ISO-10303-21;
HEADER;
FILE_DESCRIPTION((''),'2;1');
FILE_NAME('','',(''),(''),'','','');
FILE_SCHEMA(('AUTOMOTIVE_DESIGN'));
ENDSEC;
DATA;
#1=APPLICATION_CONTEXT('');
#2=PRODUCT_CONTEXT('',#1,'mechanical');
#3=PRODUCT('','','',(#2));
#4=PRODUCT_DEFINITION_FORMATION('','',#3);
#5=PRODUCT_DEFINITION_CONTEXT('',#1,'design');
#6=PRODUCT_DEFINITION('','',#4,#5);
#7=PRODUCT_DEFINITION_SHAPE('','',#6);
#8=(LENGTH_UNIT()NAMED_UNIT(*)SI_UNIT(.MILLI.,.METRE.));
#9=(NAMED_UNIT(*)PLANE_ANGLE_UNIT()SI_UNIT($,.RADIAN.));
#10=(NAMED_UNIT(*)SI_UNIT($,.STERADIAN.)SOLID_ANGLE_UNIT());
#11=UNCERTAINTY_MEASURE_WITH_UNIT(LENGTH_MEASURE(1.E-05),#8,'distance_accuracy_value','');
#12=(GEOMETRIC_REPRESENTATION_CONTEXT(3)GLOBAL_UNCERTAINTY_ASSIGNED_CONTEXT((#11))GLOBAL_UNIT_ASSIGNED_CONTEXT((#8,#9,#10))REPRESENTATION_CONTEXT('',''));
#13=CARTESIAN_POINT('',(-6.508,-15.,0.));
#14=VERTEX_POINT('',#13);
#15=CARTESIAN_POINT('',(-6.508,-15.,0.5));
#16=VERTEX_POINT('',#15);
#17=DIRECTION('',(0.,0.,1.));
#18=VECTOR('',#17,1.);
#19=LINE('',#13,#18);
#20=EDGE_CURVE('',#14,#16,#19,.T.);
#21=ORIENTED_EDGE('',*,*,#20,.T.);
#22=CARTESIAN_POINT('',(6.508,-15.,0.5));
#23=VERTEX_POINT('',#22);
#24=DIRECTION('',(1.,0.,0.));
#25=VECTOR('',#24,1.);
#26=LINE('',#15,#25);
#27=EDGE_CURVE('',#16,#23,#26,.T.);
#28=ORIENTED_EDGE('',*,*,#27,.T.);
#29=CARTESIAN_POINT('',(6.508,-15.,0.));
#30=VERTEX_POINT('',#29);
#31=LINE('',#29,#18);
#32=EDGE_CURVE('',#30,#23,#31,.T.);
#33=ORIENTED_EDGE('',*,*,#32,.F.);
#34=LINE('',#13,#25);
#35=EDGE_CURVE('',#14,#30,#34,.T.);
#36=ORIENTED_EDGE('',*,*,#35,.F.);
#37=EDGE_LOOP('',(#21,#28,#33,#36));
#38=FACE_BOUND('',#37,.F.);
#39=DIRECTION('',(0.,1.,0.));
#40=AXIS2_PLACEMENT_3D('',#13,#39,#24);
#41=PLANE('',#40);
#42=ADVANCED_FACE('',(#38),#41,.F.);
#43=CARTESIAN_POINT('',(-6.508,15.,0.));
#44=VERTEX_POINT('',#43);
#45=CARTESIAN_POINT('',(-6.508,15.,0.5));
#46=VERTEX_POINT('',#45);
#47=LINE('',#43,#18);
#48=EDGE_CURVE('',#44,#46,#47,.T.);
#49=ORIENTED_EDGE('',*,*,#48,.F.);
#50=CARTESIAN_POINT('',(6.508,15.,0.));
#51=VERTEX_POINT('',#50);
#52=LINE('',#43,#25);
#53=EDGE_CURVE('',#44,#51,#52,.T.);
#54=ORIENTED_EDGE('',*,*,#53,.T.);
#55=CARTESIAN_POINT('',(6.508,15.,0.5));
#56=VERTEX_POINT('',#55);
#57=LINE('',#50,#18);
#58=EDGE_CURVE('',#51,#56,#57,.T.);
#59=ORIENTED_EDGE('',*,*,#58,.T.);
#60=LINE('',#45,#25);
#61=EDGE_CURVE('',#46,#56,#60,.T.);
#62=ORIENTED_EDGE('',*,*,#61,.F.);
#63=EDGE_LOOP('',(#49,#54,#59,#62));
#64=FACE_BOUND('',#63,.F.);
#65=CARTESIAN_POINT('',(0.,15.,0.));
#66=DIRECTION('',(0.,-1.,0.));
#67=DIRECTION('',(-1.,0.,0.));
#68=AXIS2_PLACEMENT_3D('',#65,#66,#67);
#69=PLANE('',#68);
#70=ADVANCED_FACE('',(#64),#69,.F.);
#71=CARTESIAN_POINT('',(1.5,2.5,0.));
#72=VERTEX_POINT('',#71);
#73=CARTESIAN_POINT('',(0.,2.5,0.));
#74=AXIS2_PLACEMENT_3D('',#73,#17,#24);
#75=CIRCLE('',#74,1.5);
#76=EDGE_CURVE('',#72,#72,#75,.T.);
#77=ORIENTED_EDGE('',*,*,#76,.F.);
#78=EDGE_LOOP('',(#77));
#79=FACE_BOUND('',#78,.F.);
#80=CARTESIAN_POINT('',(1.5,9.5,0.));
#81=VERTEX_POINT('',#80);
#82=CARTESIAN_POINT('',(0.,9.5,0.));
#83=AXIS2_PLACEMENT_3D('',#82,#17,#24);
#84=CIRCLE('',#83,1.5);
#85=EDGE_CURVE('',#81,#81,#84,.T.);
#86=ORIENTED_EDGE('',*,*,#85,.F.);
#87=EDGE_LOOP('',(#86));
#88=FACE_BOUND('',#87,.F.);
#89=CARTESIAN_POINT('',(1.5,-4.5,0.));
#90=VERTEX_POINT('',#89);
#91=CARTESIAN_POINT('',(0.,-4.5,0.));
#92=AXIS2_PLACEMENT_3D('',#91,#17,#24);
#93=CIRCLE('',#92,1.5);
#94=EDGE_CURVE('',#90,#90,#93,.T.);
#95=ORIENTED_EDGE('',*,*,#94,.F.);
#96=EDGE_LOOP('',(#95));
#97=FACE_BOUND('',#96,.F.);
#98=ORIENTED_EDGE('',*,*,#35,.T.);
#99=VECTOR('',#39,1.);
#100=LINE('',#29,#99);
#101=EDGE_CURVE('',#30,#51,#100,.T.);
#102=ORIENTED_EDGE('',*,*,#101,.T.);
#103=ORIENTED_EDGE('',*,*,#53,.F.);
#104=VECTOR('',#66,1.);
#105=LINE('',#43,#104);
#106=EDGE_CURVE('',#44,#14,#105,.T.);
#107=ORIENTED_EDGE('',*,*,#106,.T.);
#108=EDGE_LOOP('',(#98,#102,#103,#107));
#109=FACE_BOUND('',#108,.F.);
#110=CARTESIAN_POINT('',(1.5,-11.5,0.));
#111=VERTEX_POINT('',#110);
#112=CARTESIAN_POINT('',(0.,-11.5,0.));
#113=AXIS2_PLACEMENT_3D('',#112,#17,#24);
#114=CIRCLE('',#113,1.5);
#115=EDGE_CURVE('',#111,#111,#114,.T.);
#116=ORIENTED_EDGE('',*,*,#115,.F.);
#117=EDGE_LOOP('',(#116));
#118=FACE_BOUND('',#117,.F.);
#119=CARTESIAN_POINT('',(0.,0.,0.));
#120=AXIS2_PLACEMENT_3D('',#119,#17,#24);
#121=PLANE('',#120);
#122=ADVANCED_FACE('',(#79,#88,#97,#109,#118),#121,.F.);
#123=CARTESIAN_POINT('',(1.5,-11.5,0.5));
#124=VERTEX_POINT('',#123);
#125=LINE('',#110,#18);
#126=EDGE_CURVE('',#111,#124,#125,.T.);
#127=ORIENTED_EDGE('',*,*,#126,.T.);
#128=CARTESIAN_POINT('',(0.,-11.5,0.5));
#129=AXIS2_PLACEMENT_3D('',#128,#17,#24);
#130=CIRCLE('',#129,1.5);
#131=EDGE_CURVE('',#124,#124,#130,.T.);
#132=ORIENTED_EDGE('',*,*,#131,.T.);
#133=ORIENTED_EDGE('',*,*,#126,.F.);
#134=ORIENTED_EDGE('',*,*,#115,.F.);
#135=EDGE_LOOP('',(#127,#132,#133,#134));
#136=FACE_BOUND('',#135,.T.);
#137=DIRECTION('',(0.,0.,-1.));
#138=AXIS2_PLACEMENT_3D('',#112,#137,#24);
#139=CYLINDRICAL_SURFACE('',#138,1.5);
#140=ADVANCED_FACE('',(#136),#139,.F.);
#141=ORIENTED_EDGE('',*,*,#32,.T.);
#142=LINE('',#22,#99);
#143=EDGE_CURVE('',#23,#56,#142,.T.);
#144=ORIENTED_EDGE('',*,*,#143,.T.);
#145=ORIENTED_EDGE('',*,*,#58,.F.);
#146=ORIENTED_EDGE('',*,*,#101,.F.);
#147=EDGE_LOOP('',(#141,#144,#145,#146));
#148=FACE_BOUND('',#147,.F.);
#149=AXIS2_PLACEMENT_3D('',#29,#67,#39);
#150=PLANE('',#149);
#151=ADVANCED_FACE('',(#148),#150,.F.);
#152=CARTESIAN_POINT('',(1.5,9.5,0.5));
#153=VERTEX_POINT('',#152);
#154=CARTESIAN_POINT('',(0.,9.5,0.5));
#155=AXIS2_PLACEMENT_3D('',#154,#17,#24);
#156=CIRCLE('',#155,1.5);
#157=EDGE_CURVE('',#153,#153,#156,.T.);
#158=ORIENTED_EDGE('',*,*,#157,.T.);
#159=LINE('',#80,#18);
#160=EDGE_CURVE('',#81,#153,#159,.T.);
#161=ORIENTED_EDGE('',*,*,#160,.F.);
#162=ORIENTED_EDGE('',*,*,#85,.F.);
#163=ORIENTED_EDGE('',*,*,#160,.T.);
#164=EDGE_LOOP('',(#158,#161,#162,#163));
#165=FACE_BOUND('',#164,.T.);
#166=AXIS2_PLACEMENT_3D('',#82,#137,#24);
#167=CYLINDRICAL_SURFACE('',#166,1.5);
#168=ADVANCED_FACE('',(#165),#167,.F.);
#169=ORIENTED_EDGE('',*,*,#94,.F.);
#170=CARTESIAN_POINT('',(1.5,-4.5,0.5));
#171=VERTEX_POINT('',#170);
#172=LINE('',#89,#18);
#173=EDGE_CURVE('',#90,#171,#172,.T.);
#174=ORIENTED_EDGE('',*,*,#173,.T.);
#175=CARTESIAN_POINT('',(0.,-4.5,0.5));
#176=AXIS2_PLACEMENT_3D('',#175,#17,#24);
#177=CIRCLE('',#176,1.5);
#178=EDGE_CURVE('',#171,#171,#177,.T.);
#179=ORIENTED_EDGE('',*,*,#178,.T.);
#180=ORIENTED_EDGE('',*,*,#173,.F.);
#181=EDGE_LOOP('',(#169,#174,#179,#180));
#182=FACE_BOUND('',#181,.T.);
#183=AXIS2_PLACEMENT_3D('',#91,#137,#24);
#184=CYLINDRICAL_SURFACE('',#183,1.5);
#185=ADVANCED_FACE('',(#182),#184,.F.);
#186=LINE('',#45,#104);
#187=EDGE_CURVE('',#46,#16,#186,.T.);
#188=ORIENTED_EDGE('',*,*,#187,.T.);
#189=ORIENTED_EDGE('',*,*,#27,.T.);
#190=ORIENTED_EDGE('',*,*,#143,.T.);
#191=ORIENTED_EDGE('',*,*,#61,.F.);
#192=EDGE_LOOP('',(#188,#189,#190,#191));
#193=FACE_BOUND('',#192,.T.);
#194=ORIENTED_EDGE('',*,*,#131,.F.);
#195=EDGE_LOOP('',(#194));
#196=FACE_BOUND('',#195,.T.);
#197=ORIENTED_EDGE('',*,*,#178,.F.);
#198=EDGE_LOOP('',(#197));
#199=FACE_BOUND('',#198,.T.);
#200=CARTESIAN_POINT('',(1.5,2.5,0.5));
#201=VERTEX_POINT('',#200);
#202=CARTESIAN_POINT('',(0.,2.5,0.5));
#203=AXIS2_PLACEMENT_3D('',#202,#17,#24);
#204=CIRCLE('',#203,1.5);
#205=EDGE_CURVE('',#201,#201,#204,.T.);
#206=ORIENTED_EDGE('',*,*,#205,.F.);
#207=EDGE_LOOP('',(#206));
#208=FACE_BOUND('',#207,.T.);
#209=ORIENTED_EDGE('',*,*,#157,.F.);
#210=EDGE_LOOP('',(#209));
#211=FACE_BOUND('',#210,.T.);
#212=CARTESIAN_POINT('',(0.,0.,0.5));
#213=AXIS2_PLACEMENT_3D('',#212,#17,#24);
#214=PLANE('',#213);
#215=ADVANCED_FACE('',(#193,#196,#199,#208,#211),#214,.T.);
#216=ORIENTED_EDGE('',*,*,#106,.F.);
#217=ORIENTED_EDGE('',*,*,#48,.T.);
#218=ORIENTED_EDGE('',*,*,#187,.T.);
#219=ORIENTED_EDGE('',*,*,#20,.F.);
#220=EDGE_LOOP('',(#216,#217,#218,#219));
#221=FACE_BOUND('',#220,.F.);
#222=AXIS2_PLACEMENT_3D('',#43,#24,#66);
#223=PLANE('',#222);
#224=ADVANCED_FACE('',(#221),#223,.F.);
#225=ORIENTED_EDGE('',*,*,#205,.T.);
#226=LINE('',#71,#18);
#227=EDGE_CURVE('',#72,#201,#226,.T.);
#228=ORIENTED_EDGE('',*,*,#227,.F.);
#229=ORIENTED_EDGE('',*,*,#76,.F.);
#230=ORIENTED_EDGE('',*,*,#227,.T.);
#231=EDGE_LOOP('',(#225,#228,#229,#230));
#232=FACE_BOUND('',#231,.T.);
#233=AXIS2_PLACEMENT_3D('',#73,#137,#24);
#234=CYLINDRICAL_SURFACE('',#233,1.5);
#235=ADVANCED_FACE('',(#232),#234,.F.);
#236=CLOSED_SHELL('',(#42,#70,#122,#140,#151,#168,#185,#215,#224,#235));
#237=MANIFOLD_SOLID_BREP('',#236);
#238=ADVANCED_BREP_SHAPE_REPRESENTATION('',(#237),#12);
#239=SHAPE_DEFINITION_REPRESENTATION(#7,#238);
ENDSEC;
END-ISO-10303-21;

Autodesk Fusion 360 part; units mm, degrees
sketch "Sketch1" plane through (0, 0, 0) normal (0, 0, 1) x (1, 0, 0)
  line L0 (6.508, 15) -> (-6.508, 15)
  line L1 (-6.508, 15) -> (-6.508, -15)
  line L2 (-6.508, -15) -> (6.508, -15)
  line L3 (6.508, -15) -> (6.508, 15)
  line L4 (6.508, 15) -> (-6.508, -15) construction
  line L5 (-6.508, 15) -> (6.508, -15) construction
  line L6 (0, 15) -> (0, -15) construction
  circle A0 centre (0, 13) radius 2
  circle A1 centre (0, 9.5) radius 1.5
  circle A2 centre (0, 6) radius 2
  circle A3 centre (0, 2.5) radius 1.5
  circle A4 centre (0, -1) radius 2
  circle A5 centre (0, -4.5) radius 1.5
  circle A6 centre (0, -8) radius 2
  circle A7 centre (0, -11.5) radius 1.5
  dimension "d1" = 13.016
  dimension "d2" = 30
  dimension "d3" = 4
  dimension "d4" = 3
  dimension "d5" = 4
  dimension "d6" = 3
  dimension "d7" = 4
  dimension "d8" = 3
  dimension "d9" = 4
  dimension "d10" = 3
extrude "Extrude1" add sketch "Sketch1" along normal blind 0.5 contours A6 | A4 | A2 | A0 | L0 L1 L2 L3
